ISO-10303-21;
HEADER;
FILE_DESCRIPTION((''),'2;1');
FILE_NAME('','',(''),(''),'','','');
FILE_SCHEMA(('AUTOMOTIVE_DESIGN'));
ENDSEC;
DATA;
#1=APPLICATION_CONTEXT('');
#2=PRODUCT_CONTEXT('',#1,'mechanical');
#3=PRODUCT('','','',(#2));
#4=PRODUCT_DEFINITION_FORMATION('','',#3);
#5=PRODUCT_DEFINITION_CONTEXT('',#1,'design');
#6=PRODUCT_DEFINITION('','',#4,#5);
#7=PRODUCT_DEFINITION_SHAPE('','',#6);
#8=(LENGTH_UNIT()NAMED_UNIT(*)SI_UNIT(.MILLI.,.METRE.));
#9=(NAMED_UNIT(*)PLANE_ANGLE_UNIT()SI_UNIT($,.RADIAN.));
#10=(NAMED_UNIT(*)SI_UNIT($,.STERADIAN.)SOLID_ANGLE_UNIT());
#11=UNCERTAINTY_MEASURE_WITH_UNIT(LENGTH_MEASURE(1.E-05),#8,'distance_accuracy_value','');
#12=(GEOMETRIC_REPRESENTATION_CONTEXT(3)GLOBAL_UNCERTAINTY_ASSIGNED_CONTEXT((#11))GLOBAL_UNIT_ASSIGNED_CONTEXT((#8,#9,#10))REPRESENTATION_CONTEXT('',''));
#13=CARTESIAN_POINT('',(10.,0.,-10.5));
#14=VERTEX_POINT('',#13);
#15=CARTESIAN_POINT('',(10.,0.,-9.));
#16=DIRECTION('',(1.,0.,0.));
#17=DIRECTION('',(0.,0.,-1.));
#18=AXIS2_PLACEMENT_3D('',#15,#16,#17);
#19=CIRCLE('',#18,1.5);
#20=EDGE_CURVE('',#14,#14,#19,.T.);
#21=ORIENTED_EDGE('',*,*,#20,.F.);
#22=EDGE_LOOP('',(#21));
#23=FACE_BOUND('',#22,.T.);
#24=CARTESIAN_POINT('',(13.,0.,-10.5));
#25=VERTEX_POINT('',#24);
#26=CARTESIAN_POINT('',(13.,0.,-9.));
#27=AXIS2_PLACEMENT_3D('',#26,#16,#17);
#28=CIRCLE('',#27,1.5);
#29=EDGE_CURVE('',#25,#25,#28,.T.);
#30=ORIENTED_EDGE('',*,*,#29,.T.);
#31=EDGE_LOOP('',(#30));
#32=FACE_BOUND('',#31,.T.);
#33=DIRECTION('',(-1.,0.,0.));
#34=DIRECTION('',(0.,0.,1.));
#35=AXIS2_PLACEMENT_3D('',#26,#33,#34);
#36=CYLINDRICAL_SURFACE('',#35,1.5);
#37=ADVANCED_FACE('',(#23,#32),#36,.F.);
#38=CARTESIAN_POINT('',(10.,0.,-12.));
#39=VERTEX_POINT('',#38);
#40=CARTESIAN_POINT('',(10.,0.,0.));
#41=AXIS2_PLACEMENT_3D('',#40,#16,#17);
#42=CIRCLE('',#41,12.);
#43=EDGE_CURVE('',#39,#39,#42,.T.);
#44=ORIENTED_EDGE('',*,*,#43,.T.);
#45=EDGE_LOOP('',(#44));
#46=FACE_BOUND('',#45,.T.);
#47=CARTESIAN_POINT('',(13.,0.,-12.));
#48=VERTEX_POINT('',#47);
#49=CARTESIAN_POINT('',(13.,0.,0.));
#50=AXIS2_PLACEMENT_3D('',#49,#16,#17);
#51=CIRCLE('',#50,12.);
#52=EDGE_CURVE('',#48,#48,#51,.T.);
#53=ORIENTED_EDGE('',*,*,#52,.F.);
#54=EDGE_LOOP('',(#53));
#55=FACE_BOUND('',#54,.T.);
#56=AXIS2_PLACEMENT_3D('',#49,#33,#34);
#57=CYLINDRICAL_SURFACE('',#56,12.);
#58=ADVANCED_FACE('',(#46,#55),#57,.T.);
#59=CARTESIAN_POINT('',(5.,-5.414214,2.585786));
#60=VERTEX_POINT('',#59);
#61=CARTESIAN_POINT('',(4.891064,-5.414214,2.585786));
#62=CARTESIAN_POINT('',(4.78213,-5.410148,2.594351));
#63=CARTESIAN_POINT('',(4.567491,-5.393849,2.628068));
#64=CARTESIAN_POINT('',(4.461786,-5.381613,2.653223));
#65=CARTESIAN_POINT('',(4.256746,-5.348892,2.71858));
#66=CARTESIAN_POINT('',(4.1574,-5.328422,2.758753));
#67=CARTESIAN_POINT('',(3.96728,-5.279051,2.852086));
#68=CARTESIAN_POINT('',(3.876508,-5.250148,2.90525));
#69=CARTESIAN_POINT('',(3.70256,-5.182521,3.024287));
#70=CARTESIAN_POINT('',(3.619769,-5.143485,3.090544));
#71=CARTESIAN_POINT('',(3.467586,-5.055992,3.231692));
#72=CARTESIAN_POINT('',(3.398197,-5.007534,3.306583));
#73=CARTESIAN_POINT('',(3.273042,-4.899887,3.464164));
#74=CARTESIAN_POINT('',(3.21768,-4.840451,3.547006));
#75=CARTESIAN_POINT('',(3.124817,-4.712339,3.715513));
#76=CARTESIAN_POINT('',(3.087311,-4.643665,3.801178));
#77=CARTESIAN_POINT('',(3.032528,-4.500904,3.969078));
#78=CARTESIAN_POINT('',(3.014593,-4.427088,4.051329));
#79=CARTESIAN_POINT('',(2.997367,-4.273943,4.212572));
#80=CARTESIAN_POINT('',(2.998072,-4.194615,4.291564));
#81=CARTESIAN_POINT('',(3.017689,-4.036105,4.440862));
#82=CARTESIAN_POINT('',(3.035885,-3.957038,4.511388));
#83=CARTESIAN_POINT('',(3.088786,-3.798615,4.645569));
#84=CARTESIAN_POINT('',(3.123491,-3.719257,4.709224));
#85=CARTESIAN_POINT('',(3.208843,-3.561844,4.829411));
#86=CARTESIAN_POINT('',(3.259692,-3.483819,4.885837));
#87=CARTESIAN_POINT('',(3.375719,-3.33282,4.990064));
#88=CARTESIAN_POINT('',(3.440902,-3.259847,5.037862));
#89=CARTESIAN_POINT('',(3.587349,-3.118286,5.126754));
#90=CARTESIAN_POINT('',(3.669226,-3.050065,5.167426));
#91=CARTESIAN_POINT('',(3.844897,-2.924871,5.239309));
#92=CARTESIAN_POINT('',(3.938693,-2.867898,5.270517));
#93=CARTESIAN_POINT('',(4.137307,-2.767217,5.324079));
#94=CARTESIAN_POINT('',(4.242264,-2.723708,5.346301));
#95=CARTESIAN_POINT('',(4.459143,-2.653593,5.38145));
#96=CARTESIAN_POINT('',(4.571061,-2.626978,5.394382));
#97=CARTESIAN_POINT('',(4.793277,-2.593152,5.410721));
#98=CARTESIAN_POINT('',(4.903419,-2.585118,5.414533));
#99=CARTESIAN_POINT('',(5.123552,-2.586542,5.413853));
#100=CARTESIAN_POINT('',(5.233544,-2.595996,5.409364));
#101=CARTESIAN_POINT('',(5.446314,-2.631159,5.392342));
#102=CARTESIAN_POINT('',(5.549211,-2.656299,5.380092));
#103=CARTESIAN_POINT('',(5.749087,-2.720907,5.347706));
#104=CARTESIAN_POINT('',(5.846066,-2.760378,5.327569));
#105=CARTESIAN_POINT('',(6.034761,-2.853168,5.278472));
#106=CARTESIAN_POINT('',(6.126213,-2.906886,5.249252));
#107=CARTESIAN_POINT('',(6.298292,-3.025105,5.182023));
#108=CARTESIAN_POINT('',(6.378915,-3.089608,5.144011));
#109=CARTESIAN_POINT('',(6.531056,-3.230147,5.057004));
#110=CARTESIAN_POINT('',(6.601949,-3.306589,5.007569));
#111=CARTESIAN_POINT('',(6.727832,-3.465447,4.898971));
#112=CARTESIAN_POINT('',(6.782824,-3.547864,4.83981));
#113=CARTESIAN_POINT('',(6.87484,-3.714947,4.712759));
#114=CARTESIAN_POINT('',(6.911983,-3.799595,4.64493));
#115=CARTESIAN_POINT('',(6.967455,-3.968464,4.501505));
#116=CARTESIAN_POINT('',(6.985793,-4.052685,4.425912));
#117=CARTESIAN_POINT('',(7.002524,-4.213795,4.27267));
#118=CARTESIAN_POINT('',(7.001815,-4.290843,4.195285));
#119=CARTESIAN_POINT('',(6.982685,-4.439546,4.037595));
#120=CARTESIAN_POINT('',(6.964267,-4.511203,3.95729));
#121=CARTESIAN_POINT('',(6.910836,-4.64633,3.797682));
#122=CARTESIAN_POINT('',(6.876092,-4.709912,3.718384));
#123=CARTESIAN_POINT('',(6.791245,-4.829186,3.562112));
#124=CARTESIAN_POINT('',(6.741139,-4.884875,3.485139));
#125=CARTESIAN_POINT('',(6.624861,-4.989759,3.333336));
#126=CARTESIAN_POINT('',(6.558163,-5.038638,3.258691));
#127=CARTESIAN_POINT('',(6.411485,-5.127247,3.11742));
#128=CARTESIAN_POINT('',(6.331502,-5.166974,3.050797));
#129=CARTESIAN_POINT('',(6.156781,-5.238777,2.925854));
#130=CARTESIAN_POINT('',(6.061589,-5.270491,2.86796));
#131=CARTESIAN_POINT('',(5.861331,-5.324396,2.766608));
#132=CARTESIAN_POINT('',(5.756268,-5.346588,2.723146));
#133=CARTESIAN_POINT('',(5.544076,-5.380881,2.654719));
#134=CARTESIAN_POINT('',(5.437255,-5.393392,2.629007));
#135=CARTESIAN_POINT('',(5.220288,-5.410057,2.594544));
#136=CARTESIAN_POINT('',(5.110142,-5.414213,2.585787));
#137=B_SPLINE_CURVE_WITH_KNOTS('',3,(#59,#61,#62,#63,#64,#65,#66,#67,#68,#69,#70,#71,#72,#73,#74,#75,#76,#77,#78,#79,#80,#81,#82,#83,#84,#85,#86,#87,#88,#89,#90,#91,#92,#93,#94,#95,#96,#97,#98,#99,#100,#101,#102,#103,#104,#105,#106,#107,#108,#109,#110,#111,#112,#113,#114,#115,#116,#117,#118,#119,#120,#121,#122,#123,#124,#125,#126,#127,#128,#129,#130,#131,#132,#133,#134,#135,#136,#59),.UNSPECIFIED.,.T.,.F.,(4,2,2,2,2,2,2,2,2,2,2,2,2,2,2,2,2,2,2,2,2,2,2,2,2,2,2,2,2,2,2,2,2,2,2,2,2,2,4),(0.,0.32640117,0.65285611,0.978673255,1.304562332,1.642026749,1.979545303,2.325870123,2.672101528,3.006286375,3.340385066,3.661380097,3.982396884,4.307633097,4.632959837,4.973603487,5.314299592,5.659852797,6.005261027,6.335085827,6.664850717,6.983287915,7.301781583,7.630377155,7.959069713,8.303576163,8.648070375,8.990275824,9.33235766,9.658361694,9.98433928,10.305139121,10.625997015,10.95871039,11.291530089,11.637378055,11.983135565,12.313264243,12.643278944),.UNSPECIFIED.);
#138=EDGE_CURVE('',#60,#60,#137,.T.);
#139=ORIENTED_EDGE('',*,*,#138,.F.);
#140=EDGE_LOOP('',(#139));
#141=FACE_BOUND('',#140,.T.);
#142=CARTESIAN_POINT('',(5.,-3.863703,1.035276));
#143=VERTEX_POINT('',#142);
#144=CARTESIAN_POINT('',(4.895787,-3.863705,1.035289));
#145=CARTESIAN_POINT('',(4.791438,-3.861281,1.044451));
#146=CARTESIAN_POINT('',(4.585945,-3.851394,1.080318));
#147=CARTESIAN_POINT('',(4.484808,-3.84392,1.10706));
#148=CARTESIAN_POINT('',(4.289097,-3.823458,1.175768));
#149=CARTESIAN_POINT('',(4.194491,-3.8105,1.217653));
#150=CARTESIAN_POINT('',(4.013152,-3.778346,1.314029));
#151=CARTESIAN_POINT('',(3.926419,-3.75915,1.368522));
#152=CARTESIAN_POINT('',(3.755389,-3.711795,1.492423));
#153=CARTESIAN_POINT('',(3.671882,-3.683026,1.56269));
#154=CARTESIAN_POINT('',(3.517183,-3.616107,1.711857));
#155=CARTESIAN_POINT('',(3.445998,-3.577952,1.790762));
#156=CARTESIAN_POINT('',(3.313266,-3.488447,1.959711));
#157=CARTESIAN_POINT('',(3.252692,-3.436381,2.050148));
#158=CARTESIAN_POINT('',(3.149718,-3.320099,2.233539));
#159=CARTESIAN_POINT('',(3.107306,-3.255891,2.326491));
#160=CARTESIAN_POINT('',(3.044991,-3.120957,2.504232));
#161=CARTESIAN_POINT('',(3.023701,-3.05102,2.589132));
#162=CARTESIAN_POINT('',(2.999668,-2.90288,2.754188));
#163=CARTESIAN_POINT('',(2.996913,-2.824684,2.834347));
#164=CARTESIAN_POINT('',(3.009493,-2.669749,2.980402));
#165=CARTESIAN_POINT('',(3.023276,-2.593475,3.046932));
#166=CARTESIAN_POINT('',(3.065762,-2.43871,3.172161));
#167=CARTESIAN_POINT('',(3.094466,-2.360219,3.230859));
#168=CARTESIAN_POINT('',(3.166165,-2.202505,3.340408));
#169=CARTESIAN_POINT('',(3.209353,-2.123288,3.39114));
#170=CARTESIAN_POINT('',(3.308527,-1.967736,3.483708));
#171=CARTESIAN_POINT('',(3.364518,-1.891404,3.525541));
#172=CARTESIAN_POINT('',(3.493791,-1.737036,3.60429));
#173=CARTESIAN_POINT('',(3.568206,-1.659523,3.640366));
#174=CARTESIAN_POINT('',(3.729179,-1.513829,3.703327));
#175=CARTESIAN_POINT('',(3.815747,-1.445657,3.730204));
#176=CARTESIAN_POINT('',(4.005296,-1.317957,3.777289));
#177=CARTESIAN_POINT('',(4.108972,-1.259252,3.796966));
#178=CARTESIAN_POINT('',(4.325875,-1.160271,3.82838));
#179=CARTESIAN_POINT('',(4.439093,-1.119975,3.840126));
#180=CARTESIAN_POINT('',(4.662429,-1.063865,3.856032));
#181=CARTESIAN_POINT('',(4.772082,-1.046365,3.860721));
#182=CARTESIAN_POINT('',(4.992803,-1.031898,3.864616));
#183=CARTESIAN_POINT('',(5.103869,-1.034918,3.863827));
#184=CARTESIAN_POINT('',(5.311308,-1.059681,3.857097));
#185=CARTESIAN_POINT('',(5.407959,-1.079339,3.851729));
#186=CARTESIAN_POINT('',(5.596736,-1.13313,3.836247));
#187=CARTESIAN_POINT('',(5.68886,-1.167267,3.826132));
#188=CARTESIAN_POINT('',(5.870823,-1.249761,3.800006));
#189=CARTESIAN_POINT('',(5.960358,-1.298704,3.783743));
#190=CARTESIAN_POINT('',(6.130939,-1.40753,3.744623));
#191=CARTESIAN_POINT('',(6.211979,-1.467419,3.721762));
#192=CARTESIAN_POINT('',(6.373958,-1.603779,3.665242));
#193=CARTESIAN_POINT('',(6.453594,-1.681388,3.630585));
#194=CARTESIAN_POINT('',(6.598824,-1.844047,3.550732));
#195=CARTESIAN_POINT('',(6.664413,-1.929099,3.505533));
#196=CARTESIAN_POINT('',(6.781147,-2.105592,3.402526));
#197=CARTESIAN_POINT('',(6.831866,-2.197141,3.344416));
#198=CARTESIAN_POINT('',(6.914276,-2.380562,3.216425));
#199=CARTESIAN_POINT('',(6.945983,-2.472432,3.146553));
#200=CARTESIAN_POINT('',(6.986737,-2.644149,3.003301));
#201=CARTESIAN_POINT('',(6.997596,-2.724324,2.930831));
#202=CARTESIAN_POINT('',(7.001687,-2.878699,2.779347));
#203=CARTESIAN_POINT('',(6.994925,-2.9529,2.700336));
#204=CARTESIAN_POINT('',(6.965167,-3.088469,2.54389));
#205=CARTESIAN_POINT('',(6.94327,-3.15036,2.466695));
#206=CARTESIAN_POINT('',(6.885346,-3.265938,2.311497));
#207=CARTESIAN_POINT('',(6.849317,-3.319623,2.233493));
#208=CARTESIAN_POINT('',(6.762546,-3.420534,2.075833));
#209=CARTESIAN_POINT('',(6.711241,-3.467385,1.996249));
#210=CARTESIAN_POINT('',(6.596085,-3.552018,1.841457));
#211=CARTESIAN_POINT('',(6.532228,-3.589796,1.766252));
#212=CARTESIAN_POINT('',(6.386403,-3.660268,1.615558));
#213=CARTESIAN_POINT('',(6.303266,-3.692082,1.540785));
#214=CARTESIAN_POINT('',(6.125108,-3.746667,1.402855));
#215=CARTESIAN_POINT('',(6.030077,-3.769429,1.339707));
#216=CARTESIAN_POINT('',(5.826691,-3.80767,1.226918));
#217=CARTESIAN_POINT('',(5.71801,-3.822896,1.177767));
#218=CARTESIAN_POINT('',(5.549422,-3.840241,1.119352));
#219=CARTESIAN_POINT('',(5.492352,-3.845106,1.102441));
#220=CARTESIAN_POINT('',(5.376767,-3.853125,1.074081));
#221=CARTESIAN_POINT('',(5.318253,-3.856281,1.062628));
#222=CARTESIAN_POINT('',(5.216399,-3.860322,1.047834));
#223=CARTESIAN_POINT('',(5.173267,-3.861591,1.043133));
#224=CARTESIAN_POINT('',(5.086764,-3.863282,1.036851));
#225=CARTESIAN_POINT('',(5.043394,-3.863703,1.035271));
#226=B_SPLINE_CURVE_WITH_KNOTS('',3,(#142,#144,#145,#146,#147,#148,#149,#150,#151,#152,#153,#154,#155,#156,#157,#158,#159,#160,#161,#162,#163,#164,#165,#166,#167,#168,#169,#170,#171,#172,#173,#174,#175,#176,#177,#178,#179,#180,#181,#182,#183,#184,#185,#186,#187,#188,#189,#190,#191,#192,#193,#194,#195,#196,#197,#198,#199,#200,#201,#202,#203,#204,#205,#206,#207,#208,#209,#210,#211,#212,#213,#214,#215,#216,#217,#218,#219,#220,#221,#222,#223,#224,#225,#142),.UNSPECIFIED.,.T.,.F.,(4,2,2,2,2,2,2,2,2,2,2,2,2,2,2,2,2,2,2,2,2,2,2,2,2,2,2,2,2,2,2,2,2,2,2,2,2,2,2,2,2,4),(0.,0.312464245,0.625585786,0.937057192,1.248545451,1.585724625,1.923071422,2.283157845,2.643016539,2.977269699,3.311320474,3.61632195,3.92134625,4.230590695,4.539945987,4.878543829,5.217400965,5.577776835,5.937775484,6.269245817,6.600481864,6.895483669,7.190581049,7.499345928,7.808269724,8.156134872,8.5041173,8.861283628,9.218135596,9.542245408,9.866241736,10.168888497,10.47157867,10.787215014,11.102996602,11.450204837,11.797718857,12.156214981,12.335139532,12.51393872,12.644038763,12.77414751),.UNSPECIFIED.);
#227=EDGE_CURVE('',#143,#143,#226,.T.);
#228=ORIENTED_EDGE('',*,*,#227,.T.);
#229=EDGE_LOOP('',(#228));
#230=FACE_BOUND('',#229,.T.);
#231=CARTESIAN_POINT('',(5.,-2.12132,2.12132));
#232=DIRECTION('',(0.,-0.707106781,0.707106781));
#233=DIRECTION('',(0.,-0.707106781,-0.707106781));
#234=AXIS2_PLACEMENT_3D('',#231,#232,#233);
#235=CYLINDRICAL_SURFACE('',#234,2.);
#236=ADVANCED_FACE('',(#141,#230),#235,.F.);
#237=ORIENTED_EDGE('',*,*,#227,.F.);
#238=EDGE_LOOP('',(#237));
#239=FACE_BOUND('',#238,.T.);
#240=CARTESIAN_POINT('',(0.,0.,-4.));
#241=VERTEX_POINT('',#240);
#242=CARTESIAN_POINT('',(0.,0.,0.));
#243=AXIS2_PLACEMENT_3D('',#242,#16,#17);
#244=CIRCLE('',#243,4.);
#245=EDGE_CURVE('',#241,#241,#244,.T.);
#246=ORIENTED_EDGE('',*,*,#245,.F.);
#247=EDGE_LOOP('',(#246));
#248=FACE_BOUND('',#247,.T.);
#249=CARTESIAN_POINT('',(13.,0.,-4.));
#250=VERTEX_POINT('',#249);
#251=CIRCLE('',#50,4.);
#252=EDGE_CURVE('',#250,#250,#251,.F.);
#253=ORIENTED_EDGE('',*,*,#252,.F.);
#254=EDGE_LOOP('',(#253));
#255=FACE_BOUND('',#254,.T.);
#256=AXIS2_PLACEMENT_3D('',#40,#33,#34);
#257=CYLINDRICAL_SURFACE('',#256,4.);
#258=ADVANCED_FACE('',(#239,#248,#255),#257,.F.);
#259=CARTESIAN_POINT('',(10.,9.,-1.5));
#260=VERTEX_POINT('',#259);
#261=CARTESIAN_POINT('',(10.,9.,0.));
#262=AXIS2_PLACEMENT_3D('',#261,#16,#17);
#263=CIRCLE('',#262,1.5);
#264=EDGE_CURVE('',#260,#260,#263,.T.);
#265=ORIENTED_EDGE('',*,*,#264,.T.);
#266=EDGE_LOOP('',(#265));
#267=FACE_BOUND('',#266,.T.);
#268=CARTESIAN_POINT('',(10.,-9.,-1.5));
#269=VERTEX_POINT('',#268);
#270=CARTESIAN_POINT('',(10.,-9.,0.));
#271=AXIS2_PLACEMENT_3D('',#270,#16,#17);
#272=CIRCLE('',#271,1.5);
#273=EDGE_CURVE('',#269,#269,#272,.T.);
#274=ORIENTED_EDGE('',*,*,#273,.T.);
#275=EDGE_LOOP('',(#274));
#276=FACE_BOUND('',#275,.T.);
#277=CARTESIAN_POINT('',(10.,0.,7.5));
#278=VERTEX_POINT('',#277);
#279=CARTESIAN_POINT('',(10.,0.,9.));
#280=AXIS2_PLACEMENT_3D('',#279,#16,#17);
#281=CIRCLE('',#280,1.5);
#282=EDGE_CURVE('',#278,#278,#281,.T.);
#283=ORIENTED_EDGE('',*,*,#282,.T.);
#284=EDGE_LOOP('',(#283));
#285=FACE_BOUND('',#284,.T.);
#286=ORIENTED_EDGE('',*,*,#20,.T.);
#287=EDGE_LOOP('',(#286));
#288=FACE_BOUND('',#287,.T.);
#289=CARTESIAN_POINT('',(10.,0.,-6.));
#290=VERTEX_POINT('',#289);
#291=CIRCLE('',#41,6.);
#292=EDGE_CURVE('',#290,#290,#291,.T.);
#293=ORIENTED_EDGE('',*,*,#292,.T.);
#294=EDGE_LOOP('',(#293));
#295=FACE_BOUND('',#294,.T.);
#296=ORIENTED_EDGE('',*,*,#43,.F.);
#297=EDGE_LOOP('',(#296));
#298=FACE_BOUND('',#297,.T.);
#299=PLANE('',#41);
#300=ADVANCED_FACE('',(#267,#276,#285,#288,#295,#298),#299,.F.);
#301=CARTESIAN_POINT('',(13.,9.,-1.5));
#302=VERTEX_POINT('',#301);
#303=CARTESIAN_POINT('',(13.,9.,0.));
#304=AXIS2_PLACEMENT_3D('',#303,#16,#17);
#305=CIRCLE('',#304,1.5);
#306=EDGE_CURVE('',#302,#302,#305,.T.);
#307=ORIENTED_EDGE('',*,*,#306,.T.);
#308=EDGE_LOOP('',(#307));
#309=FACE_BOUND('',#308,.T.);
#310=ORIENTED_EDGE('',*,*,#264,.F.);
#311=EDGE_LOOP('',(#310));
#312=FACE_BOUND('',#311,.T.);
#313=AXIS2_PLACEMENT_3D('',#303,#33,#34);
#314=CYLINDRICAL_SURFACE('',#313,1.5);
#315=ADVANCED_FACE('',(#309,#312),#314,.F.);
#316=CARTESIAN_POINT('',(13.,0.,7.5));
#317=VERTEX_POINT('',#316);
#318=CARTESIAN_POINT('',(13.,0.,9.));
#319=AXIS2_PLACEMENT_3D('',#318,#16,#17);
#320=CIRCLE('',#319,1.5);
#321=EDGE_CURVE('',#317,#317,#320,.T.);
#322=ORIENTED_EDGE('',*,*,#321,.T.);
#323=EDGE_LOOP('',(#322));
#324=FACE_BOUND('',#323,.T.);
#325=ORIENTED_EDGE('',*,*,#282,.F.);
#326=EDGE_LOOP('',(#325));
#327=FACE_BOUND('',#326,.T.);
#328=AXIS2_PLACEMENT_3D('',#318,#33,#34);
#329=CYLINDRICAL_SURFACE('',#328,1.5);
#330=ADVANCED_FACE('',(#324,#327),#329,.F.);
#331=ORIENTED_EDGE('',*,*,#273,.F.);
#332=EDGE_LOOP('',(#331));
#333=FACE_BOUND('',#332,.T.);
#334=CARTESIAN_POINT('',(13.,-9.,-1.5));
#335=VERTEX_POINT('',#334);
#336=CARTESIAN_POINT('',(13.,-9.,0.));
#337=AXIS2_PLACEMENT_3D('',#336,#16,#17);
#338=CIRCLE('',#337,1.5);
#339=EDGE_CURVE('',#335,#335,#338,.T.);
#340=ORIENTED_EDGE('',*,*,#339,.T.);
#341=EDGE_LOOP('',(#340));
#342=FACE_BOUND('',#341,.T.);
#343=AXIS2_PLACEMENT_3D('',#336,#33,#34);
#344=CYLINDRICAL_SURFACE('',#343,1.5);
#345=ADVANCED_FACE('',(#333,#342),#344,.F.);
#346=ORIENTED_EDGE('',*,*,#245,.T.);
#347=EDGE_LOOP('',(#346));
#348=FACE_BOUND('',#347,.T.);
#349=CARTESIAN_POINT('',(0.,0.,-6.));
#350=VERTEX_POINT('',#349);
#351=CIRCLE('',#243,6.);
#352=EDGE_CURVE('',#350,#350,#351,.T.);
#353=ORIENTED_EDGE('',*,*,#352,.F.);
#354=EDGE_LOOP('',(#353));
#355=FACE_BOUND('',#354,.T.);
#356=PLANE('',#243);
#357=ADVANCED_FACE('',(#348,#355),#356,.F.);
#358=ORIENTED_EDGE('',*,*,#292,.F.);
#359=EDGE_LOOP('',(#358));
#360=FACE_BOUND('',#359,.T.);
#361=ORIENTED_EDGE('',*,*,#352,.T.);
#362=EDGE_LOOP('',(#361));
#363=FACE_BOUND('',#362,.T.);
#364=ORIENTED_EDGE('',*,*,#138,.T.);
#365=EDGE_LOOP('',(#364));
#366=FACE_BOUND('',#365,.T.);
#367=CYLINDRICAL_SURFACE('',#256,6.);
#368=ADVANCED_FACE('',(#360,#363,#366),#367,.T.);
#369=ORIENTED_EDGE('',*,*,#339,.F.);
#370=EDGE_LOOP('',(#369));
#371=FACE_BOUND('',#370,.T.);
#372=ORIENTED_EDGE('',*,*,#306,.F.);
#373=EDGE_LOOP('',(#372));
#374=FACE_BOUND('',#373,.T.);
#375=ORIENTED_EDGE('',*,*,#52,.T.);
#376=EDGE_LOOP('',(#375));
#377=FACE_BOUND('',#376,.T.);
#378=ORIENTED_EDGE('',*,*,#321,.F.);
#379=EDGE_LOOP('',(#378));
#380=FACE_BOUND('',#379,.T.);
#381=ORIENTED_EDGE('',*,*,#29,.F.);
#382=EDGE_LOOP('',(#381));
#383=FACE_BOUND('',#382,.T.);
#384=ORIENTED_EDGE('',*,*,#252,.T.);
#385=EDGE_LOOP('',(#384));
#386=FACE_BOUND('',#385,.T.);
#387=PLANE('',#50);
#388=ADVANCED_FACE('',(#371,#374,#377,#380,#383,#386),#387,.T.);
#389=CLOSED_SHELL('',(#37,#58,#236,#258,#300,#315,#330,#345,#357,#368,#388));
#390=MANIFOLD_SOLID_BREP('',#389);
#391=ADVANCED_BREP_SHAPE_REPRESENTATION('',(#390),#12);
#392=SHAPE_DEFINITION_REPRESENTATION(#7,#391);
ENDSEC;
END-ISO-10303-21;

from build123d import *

# Parameters (mm, degrees)
SKETCH1_R           = 6
SKETCH1_R_2         = 4
BOSS_EXTRUDE1_DEPTH = 10
SKETCH2_R           = 12
SKETCH2_R_2         = 1.5
SKETCH2_R_3         = 4
BOSS_EXTRUDE3_DEPTH = 3
SKETCH3_R           = 2
CUT_EXTRUDE1_DEPTH  = 3


with BuildPart() as part:
    # Sketch1 → Boss-Extrude1 (new body)
    with BuildSketch(Plane(origin=(0, 0, 0), x_dir=(0, 0, -1), z_dir=(1, 0, 0))):
        Circle(SKETCH1_R)
        Circle(SKETCH1_R_2, mode=Mode.SUBTRACT)
    extrude(amount=BOSS_EXTRUDE1_DEPTH)

    # Sketch2 → Boss-Extrude3 (add)
    with BuildSketch(Plane(origin=(10, 0, 0), x_dir=(0, 0, -1), z_dir=(1, 0, 0))):
        Circle(SKETCH2_R)
        with Locations((0, 9)):
            Circle(SKETCH2_R_2, mode=Mode.SUBTRACT)
        with Locations((-9, 0)):
            Circle(SKETCH2_R_2, mode=Mode.SUBTRACT)
        with Locations((0, -9)):
            Circle(SKETCH2_R_2, mode=Mode.SUBTRACT)
        with Locations((9, 0)):
            Circle(SKETCH2_R_2, mode=Mode.SUBTRACT)
        Circle(SKETCH2_R_3, mode=Mode.SUBTRACT)
    extrude(amount=BOSS_EXTRUDE3_DEPTH)

    # Sketch3 → Cut-Extrude1 (cut)
    with BuildSketch(Plane(origin=(0, -4.242640687, 4.242640687), x_dir=(-1, 0, 0), z_dir=(0, -0.7071067811865488, 0.7071067811865464))):
        with Locations(Location((-5, 0, 0), (0, 0, 90))):
            Circle(SKETCH3_R)
    extrude(amount=-CUT_EXTRUDE1_DEPTH, mode=Mode.SUBTRACT)


solid = part.part
